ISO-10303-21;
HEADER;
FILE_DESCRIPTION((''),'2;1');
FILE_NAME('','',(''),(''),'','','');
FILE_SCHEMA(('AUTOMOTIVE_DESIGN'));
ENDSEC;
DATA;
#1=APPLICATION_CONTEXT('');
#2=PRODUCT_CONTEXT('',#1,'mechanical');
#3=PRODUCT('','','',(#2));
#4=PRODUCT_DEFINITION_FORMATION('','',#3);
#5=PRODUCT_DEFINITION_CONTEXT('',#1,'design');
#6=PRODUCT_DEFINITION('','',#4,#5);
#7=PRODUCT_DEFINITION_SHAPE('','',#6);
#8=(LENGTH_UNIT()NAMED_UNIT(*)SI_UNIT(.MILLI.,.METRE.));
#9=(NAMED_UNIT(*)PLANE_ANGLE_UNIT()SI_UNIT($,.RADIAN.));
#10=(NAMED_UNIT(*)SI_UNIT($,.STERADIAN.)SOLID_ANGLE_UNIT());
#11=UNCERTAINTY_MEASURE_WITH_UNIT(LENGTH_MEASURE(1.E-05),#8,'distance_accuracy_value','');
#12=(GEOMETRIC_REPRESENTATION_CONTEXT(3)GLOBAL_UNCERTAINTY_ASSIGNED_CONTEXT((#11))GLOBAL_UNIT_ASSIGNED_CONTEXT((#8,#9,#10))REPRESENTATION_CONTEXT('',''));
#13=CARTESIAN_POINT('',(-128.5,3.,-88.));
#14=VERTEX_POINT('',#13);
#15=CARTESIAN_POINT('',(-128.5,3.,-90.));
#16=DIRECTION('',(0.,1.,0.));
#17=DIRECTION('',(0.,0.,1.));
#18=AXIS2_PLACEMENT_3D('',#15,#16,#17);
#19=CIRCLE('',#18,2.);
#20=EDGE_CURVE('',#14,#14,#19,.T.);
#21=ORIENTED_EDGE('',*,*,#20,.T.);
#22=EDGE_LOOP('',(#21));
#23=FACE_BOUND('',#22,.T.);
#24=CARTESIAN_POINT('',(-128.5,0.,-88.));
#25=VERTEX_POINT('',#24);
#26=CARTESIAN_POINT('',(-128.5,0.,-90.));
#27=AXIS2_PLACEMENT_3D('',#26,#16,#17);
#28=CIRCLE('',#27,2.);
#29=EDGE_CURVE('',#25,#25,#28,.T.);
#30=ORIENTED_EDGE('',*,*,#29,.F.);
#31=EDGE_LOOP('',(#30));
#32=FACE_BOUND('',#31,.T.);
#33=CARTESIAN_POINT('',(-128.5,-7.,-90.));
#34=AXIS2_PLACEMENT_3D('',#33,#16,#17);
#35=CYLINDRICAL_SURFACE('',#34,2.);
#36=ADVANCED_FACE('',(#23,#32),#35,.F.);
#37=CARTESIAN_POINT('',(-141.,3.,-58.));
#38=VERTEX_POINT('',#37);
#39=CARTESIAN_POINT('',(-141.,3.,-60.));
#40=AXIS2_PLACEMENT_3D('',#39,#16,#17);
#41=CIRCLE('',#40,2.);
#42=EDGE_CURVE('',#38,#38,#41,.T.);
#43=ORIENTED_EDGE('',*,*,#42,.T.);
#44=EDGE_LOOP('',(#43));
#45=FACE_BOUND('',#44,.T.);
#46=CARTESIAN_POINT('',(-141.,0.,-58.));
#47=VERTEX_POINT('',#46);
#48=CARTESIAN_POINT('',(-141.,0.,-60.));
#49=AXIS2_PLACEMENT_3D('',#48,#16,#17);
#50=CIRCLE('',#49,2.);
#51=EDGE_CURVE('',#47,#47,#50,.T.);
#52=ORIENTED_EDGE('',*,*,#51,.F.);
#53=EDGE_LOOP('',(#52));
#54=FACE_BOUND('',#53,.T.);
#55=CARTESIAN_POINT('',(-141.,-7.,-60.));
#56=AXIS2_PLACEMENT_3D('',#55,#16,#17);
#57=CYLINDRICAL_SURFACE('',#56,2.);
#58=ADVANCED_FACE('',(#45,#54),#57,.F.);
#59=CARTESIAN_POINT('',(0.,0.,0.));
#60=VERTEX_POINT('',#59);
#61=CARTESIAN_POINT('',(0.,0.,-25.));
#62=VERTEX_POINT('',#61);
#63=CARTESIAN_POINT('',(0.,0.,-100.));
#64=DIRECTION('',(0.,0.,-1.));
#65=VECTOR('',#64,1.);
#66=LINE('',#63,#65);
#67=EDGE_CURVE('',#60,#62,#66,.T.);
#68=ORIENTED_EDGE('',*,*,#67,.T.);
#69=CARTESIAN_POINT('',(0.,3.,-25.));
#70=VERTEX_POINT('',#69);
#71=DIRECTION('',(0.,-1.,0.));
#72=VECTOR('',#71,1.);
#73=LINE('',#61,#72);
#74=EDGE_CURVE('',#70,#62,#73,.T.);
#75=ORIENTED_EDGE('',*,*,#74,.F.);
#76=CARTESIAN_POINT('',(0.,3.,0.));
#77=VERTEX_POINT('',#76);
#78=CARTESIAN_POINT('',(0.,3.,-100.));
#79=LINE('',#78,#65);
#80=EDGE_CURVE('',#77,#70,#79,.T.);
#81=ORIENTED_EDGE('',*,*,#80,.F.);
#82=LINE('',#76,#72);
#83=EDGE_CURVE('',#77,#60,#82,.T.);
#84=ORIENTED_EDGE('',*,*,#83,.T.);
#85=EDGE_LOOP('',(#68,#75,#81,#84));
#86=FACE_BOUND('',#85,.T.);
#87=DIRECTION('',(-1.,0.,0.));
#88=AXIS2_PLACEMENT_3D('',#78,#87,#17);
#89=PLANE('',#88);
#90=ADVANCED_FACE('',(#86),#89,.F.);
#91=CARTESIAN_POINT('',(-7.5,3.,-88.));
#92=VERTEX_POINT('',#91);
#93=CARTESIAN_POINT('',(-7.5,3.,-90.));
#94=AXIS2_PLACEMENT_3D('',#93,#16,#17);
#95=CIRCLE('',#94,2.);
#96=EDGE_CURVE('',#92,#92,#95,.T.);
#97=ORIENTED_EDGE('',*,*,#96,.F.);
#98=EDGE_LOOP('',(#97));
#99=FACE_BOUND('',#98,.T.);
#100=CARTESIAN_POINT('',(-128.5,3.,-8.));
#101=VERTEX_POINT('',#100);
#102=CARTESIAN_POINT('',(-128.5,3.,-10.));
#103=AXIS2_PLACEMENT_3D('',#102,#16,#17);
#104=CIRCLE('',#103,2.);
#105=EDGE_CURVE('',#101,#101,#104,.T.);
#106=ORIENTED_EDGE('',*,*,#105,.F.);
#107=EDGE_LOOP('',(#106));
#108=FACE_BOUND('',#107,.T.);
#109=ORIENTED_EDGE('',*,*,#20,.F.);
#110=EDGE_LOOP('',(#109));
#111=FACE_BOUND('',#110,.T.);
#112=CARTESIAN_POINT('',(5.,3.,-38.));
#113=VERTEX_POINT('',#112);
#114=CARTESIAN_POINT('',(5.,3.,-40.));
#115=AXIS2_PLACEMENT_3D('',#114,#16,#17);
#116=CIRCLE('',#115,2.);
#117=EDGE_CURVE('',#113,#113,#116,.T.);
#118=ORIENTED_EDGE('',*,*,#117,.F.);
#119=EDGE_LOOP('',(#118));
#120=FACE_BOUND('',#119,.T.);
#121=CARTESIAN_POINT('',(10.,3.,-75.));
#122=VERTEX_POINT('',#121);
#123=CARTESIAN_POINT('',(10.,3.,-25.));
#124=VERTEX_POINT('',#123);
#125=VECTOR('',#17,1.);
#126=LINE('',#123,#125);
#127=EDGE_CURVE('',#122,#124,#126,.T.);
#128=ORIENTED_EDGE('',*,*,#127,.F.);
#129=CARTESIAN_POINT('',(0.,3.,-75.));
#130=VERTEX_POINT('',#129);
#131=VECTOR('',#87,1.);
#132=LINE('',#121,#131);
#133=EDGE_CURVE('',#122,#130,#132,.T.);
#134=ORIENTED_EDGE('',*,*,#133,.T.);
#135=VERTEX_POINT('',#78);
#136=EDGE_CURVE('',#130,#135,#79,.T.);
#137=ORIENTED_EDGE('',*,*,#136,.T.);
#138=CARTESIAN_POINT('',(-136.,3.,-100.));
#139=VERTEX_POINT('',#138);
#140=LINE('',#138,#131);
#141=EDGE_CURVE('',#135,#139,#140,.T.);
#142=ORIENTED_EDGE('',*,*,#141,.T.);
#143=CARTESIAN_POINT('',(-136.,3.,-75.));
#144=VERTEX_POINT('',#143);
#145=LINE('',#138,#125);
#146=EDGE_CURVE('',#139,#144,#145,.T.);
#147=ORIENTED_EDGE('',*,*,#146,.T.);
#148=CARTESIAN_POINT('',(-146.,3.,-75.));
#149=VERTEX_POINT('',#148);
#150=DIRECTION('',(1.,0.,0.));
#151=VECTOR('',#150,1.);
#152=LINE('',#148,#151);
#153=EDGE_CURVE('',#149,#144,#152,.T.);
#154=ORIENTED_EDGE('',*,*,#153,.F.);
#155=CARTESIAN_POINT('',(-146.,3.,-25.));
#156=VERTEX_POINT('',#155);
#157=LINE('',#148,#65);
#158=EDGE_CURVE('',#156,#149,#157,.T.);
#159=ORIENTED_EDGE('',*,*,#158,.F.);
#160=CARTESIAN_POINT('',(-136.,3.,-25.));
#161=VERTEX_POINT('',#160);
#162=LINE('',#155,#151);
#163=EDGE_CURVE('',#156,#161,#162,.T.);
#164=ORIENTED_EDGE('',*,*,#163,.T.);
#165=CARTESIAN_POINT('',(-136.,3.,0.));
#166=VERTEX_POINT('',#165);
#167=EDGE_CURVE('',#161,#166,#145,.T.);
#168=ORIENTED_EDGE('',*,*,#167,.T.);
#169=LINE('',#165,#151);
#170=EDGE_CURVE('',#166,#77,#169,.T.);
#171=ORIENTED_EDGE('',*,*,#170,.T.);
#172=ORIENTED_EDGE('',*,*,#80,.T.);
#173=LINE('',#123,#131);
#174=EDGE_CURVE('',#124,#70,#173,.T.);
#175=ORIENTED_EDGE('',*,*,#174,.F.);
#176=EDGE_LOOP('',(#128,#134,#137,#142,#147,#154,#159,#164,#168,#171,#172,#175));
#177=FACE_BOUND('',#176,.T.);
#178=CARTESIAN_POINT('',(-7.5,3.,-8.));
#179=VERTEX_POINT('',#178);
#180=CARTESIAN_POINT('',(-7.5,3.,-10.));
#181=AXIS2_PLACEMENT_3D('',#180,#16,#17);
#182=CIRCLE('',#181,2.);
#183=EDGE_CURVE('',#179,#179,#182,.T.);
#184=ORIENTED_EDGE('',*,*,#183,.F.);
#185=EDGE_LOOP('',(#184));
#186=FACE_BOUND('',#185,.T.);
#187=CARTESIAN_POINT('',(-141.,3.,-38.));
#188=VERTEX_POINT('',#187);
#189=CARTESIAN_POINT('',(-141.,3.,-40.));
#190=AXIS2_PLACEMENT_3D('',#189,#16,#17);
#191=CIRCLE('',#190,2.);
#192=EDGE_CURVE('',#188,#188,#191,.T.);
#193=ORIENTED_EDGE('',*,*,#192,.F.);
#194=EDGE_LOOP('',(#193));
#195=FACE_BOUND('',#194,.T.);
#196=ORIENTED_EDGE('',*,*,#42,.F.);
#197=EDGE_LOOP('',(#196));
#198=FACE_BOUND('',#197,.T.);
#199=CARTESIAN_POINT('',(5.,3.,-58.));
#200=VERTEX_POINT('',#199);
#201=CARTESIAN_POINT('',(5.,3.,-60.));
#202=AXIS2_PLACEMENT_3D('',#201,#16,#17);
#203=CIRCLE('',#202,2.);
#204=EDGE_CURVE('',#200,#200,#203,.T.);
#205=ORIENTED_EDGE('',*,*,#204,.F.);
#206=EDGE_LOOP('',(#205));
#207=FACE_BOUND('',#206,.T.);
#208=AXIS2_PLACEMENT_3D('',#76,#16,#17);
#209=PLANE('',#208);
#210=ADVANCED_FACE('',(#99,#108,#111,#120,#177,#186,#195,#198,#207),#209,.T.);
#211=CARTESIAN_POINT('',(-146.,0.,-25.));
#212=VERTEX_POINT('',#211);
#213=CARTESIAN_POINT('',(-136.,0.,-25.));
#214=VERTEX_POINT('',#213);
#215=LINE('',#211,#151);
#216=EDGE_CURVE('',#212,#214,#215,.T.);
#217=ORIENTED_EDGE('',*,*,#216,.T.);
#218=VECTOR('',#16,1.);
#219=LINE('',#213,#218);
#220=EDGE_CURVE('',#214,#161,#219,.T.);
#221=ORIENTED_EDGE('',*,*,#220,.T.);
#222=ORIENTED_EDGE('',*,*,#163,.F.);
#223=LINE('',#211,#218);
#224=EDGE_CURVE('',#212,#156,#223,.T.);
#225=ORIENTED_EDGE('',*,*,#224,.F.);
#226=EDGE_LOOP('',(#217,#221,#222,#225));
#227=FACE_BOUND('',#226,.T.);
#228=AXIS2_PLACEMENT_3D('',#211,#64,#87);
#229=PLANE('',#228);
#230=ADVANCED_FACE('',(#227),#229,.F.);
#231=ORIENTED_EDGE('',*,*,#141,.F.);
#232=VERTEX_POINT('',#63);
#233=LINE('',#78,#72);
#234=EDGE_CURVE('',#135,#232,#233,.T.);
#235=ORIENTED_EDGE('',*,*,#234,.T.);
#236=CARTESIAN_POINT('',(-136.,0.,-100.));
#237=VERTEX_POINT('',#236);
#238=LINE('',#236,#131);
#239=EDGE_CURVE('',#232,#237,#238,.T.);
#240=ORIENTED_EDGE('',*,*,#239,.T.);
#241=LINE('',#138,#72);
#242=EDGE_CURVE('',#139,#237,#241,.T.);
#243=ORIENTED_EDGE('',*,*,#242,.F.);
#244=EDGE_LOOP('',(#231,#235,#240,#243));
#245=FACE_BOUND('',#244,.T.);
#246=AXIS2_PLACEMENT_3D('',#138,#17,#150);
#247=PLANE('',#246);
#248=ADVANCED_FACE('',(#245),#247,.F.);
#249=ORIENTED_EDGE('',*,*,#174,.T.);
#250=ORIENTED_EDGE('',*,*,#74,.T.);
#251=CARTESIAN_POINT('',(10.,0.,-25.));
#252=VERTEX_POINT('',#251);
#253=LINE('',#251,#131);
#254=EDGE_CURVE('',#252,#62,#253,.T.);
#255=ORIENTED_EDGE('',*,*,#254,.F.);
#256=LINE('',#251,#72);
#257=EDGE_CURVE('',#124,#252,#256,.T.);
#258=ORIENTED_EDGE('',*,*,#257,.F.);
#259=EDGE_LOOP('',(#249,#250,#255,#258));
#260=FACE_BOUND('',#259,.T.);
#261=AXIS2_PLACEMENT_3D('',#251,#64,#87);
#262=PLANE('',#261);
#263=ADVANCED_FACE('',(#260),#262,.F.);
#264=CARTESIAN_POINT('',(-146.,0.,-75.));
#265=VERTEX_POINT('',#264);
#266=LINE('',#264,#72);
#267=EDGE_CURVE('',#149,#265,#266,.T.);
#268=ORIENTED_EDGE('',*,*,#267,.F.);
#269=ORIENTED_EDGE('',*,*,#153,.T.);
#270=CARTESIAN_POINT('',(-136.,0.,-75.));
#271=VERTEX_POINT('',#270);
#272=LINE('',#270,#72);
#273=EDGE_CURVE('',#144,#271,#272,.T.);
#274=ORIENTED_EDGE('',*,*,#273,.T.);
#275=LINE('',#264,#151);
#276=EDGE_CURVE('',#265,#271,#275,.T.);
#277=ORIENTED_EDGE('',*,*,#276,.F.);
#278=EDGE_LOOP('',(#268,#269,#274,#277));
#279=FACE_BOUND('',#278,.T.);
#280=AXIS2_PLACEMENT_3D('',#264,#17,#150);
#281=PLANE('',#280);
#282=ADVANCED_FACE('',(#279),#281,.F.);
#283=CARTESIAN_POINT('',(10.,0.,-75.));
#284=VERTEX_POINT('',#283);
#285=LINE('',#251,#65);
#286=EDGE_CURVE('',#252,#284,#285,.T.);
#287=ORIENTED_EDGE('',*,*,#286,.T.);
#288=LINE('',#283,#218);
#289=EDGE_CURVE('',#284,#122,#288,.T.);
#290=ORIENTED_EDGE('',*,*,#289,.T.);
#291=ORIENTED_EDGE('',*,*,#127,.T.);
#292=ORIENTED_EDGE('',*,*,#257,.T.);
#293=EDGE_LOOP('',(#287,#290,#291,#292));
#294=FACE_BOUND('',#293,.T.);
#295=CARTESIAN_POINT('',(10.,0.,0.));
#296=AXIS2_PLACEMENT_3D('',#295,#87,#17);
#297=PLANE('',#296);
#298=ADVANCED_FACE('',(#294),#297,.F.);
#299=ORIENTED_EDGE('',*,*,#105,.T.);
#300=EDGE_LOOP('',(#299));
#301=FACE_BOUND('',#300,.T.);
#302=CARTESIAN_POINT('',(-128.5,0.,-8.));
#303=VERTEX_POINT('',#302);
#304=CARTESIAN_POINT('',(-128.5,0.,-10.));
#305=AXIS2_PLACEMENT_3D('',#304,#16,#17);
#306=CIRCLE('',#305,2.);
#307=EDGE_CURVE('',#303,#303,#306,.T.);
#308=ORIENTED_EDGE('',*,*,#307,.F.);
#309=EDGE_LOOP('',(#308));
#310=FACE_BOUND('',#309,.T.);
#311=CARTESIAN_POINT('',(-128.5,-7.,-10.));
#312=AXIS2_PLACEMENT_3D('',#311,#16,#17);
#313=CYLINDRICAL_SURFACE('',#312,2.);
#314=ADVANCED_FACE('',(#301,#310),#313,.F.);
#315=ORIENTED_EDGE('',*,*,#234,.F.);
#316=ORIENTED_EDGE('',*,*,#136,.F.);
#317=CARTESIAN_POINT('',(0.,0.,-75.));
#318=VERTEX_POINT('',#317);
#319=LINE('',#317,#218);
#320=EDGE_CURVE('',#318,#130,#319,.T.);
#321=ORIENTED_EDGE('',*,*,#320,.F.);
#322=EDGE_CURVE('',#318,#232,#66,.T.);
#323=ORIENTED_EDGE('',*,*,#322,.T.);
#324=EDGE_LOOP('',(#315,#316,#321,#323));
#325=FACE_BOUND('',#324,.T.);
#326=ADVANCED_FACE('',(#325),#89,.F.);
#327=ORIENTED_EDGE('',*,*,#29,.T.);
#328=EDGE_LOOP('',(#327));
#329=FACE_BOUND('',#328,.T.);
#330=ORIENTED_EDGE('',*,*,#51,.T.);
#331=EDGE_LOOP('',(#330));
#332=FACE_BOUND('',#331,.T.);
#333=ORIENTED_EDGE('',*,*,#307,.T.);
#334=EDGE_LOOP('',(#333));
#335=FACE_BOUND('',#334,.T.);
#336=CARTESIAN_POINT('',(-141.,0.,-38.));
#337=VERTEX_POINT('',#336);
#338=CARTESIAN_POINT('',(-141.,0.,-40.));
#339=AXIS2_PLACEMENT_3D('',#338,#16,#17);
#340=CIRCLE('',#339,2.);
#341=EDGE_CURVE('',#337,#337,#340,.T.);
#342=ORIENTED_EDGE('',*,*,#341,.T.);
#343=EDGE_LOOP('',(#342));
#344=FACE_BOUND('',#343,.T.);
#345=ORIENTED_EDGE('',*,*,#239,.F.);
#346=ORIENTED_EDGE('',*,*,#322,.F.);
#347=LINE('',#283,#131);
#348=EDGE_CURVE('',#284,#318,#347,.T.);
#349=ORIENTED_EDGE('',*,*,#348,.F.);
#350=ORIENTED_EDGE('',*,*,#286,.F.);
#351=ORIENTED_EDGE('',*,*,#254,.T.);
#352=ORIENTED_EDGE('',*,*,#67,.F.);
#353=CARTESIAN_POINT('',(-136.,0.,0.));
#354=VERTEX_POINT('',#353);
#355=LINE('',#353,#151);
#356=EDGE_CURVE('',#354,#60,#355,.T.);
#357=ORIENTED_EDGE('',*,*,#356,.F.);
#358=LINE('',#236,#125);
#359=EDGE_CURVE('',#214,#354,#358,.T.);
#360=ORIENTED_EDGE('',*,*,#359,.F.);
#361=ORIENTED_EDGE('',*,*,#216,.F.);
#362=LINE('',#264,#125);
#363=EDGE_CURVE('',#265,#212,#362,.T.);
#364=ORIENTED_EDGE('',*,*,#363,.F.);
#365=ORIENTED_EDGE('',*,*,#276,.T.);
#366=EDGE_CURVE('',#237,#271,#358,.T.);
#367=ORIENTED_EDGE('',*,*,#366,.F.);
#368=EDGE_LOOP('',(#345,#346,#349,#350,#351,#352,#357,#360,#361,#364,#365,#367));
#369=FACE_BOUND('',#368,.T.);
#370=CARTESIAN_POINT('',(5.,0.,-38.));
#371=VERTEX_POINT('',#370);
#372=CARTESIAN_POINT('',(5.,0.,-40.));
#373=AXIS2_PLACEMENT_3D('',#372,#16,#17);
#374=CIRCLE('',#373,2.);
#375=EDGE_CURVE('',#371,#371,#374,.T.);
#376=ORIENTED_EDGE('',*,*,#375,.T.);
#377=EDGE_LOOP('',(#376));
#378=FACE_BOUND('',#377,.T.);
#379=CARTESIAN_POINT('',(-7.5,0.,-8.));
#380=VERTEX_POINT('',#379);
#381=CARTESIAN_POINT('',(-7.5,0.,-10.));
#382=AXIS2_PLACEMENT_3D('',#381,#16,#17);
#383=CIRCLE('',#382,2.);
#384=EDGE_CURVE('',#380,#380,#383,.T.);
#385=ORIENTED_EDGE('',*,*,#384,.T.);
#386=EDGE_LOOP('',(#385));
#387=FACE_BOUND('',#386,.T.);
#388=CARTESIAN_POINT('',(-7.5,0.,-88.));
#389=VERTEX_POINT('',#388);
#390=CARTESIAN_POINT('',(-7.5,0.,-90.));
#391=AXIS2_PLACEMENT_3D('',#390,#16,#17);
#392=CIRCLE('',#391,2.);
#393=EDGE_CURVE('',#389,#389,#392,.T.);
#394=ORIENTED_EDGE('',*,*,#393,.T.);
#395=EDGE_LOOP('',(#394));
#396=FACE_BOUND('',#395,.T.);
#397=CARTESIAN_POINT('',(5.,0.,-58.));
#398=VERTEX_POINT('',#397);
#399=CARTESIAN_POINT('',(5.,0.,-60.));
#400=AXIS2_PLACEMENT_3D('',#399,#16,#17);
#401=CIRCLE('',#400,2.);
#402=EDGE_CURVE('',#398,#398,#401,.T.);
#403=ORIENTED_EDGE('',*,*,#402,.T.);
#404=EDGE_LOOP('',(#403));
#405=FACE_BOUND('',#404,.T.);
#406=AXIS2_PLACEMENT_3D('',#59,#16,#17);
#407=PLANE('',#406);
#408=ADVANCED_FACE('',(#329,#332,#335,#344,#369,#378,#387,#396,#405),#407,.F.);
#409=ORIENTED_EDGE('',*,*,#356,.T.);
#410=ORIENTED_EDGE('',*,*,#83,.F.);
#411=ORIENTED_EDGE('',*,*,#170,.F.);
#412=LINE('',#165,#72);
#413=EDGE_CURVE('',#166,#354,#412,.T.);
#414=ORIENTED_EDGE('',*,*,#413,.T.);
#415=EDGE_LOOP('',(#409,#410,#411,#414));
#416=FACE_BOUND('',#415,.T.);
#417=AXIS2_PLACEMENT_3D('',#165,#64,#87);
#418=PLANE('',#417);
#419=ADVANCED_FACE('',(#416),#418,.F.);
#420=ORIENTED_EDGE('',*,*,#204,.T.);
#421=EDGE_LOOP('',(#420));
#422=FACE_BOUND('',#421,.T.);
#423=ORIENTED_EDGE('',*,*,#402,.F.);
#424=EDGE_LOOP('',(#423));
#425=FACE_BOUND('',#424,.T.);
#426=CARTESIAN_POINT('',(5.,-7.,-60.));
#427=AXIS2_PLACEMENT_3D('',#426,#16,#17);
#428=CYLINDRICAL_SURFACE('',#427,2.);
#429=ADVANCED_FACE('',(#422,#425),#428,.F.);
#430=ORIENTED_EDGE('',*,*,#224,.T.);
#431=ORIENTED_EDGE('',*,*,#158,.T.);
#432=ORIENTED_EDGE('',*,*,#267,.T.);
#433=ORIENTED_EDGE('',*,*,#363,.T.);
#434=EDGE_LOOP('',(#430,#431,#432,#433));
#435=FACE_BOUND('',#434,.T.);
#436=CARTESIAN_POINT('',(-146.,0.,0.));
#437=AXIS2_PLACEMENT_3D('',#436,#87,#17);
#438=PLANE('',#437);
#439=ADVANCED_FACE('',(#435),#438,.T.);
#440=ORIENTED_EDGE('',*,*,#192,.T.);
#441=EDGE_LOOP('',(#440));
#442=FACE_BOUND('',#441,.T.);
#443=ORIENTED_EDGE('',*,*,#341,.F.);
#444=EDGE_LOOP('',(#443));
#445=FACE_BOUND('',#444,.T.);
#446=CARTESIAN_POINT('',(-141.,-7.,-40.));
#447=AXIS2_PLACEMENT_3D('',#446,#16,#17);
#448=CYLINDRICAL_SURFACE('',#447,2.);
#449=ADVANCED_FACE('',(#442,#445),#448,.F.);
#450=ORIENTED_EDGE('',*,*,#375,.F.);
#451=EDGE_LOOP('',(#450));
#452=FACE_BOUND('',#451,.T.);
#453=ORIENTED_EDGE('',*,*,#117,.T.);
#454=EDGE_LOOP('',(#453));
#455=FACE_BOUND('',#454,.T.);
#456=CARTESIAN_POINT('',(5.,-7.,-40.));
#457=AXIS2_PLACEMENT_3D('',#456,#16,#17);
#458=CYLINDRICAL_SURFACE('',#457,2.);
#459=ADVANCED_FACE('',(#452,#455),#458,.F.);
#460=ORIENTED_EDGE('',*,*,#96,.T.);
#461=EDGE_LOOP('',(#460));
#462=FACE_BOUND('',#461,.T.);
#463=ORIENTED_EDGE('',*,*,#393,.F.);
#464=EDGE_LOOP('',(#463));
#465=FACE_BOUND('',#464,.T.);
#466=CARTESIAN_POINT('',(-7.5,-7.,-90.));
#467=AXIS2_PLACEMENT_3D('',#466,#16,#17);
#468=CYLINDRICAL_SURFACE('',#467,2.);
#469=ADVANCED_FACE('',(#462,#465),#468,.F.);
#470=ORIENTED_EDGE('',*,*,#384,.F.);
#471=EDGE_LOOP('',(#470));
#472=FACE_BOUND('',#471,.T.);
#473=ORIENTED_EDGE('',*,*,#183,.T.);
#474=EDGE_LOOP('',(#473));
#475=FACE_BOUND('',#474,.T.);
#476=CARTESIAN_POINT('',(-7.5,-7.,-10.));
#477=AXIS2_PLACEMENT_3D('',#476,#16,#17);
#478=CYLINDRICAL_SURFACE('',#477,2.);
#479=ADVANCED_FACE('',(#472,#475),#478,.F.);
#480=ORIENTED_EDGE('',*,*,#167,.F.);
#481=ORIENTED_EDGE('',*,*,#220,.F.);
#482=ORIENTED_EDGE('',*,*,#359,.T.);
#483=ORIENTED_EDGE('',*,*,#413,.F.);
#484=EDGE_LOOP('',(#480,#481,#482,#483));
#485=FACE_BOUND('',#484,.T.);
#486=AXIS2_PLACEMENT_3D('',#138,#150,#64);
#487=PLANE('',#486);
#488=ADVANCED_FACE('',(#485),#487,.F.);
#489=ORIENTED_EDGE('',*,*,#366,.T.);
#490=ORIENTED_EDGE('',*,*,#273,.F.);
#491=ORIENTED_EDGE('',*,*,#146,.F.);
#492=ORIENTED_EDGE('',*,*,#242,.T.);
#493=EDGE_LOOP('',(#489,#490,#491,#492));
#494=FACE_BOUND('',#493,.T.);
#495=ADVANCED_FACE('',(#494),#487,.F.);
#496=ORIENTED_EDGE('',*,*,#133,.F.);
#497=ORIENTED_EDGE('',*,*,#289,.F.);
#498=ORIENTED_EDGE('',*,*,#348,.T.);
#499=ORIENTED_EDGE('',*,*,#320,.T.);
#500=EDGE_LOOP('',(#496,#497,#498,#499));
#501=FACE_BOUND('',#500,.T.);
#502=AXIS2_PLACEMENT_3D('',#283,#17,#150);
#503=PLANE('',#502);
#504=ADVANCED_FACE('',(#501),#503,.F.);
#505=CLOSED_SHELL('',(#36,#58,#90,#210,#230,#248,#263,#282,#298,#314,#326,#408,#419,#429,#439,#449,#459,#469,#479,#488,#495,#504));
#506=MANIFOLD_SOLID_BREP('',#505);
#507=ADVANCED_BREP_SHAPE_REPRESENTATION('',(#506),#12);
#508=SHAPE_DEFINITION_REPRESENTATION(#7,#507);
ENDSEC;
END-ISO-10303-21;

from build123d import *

# Parameters (mm, degrees)
ESBO_O2_W                = 136
ESBO_O2_H                = 100
RESSALTO_EXTRUS_O1_DEPTH = 3
ESBO_O3_R                = 2
CORTE_EXTRUS_O2_DEPTH    = 10
ESBO_O5_W                = 50
ESBO_O5_H                = 3
RESSALTO_EXTRUS_O2_DEPTH = 10
ESBO_O6_W                = 50
ESBO_O6_H                = 3
RESSALTO_EXTRUS_O3_DEPTH = 10
ESBO_O7_R                = 2
CORTE_EXTRUS_O3_DEPTH    = 10


with BuildPart() as part:
    # Esboço2 → Ressalto-extrusão1 (new body)
    with BuildSketch(Plane(origin=(0, 0, 0), x_dir=(1, 0, 0), z_dir=(0, 1, 0))):
        with Locations((-68, 50)):
            Rectangle(ESBO_O2_W, ESBO_O2_H)
    extrude(amount=RESSALTO_EXTRUS_O1_DEPTH)

    # Esboço3 → Corte-extrusão2 (cut)
    with BuildSketch(Plane(origin=(0, 3, 0), x_dir=(1, 0, 0), z_dir=(0, 1, 0))):
        with Locations(Location((-128.5, 10, 0), (0, 0, 270))):
            Circle(ESBO_O3_R)
        with Locations(Location((-7.5, 10, 0), (0, 0, 270))):
            Circle(ESBO_O3_R)
        with Locations(Location((-7.5, 90, 0), (0, 0, 270))):
            Circle(ESBO_O3_R)
        with Locations(Location((-128.5, 90, 0), (0, 0, 270))):
            Circle(ESBO_O3_R)
    extrude(amount=-CORTE_EXTRUS_O2_DEPTH, mode=Mode.SUBTRACT)

    # Esboço5 → Ressalto-extrusão2 (add)
    with BuildSketch(Plane(origin=(0, 0, 0), x_dir=(0, 0, -1), z_dir=(1, 0, 0))):
        with Locations((50, 1.5)):
            Rectangle(ESBO_O5_W, ESBO_O5_H)
    extrude(amount=RESSALTO_EXTRUS_O2_DEPTH)

    # Esboço6 → Ressalto-extrusão3 (add)
    with BuildSketch(Plane.ZY.offset(136)):
        with Locations((-50, 1.5)):
            Rectangle(ESBO_O6_W, ESBO_O6_H)
    extrude(amount=RESSALTO_EXTRUS_O3_DEPTH)

    # Esboço7 → Corte-extrusão3 (cut)
    with BuildSketch(Plane(origin=(0, 3, 0), x_dir=(1, 0, 0), z_dir=(0, 1, 0))):
        with Locations(Location((5, 40, 0), (0, 0, 270))):
            Circle(ESBO_O7_R)
        with Locations(Location((5, 60, 0), (0, 0, 270))):
            Circle(ESBO_O7_R)
        with Locations(Location((-141, 60, 0), (0, 0, 270))):
            Circle(ESBO_O7_R)
        with Locations(Location((-141, 40, 0), (0, 0, 270))):
            Circle(ESBO_O7_R)
    extrude(amount=-CORTE_EXTRUS_O3_DEPTH, mode=Mode.SUBTRACT)


solid = part.part
